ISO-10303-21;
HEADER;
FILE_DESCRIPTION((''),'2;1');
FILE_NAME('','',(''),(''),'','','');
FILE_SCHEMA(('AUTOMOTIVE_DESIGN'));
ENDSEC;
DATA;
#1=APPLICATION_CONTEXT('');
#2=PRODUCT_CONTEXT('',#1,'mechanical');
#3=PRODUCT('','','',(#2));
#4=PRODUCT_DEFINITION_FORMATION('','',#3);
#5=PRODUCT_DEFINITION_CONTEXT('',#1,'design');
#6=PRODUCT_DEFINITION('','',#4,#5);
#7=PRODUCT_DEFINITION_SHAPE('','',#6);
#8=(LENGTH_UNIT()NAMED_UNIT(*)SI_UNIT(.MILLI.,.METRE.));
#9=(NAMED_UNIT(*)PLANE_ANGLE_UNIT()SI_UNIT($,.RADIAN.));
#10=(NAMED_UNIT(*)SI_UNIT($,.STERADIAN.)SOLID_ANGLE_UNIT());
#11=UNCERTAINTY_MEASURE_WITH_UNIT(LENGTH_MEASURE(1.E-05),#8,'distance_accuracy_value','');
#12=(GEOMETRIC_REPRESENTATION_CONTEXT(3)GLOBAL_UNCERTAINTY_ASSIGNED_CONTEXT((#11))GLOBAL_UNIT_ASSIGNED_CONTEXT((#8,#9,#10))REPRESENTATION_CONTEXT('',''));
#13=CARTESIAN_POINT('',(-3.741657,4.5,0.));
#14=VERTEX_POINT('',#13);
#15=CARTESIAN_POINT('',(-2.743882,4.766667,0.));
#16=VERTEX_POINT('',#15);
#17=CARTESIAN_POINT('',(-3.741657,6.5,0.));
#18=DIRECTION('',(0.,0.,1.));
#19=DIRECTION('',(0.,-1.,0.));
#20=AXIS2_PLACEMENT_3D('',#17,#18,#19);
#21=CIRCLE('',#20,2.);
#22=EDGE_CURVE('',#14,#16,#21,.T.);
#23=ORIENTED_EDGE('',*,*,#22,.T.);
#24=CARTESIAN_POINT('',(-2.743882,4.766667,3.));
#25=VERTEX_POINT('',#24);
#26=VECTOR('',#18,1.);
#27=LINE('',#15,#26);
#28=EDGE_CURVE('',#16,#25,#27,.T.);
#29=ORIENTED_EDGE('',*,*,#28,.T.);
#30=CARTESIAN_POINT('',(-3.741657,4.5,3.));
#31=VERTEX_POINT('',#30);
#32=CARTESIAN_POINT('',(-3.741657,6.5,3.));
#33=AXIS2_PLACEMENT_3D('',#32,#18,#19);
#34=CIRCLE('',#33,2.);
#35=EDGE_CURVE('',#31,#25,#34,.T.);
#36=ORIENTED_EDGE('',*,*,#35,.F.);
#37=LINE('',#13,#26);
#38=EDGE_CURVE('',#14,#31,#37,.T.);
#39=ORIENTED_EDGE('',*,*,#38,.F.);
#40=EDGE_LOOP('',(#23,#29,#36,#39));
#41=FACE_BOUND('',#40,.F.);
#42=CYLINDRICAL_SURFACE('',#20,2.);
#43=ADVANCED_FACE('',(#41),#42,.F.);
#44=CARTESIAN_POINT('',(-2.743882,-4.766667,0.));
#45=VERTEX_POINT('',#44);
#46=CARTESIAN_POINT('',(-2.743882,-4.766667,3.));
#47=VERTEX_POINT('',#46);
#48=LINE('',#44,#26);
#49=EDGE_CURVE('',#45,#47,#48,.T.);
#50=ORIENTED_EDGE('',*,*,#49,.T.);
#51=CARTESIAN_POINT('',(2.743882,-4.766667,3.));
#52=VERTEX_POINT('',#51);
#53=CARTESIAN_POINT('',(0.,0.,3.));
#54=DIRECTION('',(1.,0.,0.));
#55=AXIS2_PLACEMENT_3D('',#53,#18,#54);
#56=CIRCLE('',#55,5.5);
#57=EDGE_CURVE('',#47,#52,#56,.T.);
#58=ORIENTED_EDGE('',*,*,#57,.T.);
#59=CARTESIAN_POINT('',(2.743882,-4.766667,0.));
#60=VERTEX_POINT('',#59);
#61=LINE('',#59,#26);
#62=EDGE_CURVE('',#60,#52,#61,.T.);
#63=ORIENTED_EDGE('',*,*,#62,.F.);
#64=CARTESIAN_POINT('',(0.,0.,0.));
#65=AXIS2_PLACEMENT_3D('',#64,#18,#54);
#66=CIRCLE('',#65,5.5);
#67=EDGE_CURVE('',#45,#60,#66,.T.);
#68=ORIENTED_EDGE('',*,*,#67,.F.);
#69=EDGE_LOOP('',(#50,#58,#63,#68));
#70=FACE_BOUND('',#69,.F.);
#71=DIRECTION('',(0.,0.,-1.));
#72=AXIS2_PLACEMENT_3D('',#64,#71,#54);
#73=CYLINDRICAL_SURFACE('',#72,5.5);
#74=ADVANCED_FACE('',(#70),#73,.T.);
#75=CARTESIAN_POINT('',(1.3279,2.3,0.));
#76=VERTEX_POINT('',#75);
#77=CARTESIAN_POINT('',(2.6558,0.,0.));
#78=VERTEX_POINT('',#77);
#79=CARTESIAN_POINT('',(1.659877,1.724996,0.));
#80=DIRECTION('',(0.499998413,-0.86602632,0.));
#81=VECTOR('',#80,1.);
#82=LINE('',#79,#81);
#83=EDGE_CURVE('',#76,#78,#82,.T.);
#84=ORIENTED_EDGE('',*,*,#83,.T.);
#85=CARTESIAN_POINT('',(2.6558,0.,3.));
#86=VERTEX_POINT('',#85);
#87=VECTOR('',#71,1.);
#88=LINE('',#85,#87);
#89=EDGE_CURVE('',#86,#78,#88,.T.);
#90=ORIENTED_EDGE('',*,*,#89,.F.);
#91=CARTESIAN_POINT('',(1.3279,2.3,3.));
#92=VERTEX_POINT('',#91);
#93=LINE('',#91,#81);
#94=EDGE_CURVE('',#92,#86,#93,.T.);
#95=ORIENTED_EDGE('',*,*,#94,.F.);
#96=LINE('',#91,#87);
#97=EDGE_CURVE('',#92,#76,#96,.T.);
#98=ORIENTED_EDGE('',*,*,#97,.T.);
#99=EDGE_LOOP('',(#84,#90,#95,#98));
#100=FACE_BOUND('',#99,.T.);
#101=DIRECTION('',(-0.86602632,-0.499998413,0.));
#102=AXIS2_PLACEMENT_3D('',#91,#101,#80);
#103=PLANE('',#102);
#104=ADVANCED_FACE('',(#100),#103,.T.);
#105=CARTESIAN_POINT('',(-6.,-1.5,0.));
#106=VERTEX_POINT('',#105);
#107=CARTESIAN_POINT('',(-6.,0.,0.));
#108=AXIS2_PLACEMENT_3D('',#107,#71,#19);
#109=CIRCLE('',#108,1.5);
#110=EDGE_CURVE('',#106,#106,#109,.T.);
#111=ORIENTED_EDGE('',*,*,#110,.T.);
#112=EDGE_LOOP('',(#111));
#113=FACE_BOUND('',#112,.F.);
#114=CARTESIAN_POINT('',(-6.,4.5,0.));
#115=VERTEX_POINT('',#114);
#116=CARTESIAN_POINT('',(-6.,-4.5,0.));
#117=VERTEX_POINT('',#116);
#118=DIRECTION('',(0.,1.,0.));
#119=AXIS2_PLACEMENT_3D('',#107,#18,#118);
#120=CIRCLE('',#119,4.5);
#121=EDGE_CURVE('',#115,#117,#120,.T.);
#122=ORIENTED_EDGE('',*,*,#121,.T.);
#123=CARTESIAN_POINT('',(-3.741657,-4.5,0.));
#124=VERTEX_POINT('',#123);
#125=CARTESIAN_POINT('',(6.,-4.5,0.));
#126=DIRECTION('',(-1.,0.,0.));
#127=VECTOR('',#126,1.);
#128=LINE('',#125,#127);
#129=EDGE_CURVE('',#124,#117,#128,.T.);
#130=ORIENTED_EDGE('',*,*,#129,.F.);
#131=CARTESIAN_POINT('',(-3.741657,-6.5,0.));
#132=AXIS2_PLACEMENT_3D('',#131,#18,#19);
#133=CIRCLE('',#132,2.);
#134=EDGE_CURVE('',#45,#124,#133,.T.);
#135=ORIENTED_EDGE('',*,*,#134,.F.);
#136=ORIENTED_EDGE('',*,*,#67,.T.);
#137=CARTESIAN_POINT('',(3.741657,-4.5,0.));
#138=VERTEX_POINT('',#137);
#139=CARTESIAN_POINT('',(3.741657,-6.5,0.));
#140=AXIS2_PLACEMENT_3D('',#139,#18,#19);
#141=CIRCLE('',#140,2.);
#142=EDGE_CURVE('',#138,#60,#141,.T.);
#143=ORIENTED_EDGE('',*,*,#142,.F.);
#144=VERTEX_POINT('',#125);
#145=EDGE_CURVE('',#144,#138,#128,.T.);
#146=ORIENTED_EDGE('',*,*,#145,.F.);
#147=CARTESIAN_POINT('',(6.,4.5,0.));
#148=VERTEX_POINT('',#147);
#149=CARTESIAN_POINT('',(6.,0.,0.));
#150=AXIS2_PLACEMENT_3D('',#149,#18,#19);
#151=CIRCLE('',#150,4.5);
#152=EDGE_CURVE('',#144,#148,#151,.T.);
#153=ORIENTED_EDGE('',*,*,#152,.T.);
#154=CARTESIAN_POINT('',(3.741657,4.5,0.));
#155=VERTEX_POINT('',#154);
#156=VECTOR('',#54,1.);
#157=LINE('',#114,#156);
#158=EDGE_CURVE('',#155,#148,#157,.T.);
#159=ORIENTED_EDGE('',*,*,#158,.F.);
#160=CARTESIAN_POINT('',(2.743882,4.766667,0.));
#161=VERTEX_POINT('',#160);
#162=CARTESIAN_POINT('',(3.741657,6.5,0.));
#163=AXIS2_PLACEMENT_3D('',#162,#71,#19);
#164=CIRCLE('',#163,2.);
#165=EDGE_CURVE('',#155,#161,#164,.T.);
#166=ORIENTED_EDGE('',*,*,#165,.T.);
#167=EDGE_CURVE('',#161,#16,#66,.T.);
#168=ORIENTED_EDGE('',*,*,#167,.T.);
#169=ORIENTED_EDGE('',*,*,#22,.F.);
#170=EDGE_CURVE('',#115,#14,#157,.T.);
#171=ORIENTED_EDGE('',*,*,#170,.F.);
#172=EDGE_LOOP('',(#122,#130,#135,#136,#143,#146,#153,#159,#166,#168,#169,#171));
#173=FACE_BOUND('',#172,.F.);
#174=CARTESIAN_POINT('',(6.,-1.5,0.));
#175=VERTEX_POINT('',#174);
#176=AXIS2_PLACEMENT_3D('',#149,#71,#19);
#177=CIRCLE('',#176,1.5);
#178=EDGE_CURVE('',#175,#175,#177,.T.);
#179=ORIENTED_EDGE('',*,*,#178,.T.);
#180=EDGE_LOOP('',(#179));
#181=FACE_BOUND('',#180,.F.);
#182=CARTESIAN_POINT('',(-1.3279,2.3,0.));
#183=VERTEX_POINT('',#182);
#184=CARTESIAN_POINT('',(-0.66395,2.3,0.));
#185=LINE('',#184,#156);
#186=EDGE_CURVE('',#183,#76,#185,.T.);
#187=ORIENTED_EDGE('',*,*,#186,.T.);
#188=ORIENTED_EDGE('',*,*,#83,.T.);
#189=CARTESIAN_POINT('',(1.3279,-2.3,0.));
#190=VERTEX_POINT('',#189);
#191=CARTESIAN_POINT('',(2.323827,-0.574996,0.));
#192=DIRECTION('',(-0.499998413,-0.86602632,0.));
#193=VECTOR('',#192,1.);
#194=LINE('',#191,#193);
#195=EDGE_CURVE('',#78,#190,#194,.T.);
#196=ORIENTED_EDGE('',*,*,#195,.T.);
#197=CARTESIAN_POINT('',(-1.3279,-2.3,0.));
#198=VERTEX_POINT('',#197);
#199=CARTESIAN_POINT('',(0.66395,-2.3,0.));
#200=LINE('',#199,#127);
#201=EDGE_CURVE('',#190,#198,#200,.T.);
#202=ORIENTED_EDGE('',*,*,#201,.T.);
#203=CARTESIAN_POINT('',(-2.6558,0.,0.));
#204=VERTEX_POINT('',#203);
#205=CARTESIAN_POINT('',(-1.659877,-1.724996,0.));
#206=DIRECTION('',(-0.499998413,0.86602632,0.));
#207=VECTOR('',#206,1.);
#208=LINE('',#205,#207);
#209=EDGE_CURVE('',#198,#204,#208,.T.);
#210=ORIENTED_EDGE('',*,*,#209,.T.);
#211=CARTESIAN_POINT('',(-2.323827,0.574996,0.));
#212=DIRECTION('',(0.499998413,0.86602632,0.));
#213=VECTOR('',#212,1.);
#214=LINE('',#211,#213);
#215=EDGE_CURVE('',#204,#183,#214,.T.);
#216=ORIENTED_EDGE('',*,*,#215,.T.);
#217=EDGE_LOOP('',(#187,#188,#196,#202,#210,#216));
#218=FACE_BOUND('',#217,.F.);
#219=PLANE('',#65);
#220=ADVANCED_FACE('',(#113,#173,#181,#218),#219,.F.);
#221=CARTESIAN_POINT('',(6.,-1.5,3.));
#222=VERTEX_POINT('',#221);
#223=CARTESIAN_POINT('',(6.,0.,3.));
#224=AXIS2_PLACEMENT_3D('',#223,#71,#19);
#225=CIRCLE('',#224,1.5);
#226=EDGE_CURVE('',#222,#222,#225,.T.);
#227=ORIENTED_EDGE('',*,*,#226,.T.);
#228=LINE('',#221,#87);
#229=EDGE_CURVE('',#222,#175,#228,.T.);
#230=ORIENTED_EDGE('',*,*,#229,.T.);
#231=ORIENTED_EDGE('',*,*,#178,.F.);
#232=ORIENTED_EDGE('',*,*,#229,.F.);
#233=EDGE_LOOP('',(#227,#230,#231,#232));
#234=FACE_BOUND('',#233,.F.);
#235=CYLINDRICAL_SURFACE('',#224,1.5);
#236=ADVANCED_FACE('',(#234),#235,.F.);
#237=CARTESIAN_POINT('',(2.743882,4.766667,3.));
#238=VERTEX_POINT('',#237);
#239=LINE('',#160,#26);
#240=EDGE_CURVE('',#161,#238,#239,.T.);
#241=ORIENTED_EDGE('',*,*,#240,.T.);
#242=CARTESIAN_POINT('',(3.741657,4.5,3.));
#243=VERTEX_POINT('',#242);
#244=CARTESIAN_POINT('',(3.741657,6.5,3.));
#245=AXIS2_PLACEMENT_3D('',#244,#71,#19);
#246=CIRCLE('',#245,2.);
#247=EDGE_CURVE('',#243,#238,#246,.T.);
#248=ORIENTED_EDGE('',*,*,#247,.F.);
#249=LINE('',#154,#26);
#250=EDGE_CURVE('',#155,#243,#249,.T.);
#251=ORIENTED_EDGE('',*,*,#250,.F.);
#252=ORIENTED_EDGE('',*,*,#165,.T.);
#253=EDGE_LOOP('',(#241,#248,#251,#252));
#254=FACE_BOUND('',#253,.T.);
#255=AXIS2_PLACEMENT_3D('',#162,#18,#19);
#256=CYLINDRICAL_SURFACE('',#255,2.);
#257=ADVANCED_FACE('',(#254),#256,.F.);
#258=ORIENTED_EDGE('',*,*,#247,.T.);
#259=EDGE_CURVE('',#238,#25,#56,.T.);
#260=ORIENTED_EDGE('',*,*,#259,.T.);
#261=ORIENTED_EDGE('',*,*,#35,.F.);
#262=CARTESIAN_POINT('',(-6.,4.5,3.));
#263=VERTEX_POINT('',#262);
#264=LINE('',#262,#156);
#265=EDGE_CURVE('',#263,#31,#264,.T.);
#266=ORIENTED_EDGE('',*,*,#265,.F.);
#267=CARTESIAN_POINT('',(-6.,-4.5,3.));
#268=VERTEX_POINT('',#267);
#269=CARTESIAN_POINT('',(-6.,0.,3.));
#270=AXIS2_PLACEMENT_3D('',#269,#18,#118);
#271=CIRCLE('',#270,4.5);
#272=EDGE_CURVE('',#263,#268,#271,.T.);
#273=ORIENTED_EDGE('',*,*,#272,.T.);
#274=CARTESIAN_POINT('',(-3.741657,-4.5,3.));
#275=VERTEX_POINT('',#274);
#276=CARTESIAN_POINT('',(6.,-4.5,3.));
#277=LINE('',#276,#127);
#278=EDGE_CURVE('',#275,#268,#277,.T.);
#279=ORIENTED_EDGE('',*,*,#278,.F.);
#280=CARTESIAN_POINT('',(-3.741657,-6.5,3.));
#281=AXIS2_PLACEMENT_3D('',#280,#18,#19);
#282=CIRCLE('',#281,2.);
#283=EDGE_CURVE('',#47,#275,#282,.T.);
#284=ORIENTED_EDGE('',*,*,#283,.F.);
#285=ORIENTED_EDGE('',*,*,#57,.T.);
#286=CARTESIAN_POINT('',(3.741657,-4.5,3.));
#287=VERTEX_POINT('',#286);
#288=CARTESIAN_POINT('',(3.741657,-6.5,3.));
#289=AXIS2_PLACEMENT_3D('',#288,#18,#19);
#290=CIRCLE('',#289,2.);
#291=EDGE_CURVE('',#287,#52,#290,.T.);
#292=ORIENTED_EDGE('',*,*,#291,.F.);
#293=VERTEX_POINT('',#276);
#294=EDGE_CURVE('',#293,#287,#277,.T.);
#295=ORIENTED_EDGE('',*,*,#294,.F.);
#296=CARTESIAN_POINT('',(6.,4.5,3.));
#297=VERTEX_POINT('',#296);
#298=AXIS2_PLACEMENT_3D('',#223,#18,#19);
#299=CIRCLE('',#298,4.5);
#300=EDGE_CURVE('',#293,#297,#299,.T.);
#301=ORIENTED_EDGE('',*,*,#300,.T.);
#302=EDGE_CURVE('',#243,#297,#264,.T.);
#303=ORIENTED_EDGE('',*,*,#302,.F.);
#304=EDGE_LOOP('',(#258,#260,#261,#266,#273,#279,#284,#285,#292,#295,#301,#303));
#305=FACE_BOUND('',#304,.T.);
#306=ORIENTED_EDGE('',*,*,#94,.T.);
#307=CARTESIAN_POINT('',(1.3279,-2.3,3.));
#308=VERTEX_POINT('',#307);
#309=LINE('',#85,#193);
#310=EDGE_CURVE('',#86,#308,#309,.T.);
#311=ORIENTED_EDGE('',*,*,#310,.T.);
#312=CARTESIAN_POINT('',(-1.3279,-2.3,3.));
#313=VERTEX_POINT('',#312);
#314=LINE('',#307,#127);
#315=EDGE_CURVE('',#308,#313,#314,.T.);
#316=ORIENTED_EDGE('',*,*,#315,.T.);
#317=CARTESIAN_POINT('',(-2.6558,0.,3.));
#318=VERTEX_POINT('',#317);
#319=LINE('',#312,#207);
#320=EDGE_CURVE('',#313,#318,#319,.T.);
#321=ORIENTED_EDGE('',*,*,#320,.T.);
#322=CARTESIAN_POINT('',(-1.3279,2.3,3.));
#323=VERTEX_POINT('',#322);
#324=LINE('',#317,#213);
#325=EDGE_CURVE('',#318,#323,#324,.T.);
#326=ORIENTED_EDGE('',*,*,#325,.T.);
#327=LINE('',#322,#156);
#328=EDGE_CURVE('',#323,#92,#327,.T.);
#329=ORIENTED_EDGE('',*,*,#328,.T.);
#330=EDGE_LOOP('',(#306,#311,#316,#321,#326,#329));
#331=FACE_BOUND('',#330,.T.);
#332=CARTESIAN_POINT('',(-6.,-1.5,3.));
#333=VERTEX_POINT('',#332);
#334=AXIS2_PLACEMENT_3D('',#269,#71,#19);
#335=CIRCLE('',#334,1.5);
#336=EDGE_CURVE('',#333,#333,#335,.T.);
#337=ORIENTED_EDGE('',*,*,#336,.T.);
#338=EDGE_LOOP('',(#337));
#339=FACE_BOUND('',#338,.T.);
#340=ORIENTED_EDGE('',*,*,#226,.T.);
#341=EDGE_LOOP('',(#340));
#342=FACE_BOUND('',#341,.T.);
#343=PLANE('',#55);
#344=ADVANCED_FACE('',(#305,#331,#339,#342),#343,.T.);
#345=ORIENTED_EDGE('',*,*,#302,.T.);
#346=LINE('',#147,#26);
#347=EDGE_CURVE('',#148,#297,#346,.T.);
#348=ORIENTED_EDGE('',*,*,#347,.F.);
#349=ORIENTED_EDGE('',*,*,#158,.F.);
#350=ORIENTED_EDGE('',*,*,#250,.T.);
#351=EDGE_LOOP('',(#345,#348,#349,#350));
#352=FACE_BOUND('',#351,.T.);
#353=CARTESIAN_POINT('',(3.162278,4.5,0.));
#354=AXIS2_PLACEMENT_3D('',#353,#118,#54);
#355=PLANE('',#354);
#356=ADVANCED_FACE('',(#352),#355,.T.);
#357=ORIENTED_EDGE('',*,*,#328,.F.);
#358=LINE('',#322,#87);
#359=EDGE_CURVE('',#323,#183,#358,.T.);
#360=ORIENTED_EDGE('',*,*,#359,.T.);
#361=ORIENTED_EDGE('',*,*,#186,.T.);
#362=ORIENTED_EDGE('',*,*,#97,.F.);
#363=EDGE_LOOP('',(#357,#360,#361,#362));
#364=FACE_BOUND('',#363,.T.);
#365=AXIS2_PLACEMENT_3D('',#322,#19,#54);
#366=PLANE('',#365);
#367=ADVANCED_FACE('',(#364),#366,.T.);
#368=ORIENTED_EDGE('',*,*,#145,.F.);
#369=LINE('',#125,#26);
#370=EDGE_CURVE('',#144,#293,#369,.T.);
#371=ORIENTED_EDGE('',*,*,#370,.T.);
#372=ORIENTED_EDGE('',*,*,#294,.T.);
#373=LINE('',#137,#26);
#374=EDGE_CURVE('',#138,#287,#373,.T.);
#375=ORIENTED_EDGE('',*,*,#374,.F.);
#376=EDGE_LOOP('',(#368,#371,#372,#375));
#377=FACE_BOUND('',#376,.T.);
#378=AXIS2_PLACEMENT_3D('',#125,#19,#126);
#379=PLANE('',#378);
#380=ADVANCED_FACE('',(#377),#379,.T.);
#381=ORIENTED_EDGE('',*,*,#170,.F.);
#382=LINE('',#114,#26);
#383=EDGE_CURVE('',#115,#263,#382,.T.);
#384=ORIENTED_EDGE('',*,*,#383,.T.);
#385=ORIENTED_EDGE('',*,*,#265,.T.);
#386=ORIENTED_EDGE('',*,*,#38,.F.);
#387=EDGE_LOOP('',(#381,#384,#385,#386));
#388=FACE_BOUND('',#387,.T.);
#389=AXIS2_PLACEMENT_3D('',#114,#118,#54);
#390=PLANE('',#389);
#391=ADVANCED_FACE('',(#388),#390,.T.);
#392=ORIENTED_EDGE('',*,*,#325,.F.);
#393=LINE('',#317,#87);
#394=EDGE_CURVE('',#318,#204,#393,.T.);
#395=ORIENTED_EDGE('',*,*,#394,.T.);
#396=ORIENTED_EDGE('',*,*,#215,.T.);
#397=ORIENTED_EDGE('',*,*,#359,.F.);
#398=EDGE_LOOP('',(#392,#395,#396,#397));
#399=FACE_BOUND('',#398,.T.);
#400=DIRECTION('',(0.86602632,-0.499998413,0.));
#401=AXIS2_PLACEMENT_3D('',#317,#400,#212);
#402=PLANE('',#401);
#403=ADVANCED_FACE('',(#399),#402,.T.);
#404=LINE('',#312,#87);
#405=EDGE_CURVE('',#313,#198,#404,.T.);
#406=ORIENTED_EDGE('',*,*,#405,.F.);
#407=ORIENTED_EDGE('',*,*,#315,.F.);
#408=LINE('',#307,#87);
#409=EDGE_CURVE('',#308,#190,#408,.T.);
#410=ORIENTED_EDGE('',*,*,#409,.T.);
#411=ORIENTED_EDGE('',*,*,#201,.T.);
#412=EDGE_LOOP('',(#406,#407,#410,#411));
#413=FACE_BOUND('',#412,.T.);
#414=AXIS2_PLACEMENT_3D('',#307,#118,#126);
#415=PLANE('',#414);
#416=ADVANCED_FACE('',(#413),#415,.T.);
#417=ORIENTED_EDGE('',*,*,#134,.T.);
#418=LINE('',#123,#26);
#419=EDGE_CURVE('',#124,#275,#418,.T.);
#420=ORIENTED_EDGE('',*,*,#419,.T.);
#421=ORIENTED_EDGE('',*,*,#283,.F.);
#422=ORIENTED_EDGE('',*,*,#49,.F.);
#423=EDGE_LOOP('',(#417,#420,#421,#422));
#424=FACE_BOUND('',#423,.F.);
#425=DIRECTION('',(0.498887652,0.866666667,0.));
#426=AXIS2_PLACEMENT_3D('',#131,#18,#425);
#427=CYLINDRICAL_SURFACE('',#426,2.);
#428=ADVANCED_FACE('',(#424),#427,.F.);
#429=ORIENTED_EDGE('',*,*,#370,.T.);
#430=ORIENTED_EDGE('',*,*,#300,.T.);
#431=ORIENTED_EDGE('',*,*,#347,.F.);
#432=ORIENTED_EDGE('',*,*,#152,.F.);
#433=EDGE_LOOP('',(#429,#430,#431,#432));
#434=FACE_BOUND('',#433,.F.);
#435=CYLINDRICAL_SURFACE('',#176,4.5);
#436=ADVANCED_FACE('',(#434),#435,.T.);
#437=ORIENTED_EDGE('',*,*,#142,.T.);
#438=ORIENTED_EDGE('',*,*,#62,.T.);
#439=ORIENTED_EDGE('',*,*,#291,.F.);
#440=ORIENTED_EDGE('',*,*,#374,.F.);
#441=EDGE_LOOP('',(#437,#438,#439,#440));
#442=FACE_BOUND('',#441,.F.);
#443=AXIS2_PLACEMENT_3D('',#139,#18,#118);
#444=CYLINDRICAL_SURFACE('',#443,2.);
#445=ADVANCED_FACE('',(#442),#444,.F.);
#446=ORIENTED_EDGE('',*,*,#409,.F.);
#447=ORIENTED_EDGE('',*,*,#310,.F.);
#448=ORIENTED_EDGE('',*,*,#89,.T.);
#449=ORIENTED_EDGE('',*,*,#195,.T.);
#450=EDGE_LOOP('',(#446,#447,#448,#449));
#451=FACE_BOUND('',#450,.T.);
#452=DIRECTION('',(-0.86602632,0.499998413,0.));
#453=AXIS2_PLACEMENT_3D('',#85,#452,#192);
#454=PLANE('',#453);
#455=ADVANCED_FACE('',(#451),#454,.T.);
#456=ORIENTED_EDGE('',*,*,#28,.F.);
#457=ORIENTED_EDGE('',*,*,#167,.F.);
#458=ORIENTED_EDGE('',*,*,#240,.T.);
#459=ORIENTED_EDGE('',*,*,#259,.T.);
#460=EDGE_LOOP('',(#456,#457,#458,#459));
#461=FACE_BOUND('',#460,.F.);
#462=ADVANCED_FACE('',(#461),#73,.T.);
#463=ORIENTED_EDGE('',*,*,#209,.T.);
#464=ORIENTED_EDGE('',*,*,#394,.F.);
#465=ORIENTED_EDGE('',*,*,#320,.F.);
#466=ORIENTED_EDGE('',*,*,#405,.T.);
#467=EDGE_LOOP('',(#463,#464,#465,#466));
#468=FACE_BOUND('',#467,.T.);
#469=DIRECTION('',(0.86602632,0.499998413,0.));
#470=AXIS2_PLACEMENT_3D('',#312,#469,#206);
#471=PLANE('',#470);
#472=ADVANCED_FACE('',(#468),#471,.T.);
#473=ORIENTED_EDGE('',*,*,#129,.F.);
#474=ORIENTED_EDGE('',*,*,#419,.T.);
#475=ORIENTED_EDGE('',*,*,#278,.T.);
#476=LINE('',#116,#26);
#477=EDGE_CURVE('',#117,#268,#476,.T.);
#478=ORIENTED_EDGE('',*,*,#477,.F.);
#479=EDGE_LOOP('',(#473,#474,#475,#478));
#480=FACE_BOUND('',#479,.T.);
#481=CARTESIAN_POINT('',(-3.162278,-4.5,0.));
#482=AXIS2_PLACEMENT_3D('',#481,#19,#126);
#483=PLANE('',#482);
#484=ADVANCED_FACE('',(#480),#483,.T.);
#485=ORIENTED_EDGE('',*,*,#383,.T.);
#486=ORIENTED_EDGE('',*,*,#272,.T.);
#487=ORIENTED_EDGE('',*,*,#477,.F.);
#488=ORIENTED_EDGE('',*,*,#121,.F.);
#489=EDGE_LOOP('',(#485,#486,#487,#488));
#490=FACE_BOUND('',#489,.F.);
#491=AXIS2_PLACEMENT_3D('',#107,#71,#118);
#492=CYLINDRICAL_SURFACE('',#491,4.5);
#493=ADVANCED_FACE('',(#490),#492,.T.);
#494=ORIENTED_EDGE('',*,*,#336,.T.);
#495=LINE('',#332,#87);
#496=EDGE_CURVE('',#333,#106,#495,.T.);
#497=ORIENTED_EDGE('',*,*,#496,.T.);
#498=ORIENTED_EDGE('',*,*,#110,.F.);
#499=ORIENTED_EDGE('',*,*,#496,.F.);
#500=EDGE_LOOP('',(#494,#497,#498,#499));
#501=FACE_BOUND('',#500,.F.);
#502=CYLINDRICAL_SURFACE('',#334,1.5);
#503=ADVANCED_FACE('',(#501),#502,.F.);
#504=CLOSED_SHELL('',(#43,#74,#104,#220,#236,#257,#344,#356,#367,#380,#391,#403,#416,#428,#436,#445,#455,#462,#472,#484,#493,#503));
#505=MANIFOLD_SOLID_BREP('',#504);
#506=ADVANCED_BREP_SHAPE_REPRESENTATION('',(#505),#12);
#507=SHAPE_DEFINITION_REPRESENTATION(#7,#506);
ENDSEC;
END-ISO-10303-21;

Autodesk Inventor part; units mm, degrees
ref_plane "YZ Plane" through (0, 0, 0) normal (1, 0, 0) x (0, 1, 0)
ref_plane "XZ Plane" through (0, 0, 0) normal (0, 1, 0) x (-1, 0, 0)
ref_plane "XY Plane" through (0, 0, 0) normal (0, 0, 1) x (1, 0, 0)
sketch "Sketch1" plane through (0, 0, 0) normal (0, 0, 1) x (1, 0, 0)
  circle A0 centre (0, 0) radius 5.5
  arc A1 (6, -4.5) -> (6, 4.5) centre (6, 0) ccw
  arc A2 (-6, 4.5) -> (-6, -4.5) centre (-6, 0) ccw
  line L0 (-6, 4.5) -> (6, 4.5)
  line L1 (6, -4.5) -> (-6, -4.5)
  dimension "d0" = 11
  dimension "d5" = 9
  dimension "d6" = 6
  dimension "d7" = 9
  dimension "d8" = 6
extrude "Extrusion1" add sketch "Sketch1" along normal blind 3
fillet "圓角1" radius 2 4 edges at (3.1623, -4.5, 1.5) (-3.1623, -4.5, 1.5) (3.1623, 4.5, 1.5) (-3.1623, 4.5, 1.5)
sketch "草圖3" plane through (0, 0, 3) normal (0, 0, 1) x (1, 0, 0)
  arc A0 (-6, 4.5) -> (-6, -4.5) centre (-6, 0) ccw projected
  arc A1 (6, -4.5) -> (6, 4.5) centre (6, 0) ccw projected
hole "孔1" at (-6, 0, 3) at (6, 0, 3) direction (0, 0, -1) diameter 3 end through all
sketch "草圖4" plane through (0, 0, 3) normal (0, 0, 1) x (1, 0, 0)
  arc A0 (2.7439, 4.7667) -> (-2.7439, 4.7667) centre (0, 0) ccw projected
  line L0 (1.3279, 2.3) -> (2.6558, 0)
  line L1 (2.6558, 0) -> (1.3279, -2.3)
  line L2 (1.3279, -2.3) -> (-1.3279, -2.3)
  line L3 (-1.3279, -2.3) -> (-2.6558, 0)
  line L4 (-2.6558, 0) -> (-1.3279, 2.3)
  line L5 (-1.3279, 2.3) -> (1.3279, 2.3)
  dimension "d17" = 4.6
extrude "擠出2" cut sketch "草圖4" against normal through all
properties part number "plastic_part_99"
